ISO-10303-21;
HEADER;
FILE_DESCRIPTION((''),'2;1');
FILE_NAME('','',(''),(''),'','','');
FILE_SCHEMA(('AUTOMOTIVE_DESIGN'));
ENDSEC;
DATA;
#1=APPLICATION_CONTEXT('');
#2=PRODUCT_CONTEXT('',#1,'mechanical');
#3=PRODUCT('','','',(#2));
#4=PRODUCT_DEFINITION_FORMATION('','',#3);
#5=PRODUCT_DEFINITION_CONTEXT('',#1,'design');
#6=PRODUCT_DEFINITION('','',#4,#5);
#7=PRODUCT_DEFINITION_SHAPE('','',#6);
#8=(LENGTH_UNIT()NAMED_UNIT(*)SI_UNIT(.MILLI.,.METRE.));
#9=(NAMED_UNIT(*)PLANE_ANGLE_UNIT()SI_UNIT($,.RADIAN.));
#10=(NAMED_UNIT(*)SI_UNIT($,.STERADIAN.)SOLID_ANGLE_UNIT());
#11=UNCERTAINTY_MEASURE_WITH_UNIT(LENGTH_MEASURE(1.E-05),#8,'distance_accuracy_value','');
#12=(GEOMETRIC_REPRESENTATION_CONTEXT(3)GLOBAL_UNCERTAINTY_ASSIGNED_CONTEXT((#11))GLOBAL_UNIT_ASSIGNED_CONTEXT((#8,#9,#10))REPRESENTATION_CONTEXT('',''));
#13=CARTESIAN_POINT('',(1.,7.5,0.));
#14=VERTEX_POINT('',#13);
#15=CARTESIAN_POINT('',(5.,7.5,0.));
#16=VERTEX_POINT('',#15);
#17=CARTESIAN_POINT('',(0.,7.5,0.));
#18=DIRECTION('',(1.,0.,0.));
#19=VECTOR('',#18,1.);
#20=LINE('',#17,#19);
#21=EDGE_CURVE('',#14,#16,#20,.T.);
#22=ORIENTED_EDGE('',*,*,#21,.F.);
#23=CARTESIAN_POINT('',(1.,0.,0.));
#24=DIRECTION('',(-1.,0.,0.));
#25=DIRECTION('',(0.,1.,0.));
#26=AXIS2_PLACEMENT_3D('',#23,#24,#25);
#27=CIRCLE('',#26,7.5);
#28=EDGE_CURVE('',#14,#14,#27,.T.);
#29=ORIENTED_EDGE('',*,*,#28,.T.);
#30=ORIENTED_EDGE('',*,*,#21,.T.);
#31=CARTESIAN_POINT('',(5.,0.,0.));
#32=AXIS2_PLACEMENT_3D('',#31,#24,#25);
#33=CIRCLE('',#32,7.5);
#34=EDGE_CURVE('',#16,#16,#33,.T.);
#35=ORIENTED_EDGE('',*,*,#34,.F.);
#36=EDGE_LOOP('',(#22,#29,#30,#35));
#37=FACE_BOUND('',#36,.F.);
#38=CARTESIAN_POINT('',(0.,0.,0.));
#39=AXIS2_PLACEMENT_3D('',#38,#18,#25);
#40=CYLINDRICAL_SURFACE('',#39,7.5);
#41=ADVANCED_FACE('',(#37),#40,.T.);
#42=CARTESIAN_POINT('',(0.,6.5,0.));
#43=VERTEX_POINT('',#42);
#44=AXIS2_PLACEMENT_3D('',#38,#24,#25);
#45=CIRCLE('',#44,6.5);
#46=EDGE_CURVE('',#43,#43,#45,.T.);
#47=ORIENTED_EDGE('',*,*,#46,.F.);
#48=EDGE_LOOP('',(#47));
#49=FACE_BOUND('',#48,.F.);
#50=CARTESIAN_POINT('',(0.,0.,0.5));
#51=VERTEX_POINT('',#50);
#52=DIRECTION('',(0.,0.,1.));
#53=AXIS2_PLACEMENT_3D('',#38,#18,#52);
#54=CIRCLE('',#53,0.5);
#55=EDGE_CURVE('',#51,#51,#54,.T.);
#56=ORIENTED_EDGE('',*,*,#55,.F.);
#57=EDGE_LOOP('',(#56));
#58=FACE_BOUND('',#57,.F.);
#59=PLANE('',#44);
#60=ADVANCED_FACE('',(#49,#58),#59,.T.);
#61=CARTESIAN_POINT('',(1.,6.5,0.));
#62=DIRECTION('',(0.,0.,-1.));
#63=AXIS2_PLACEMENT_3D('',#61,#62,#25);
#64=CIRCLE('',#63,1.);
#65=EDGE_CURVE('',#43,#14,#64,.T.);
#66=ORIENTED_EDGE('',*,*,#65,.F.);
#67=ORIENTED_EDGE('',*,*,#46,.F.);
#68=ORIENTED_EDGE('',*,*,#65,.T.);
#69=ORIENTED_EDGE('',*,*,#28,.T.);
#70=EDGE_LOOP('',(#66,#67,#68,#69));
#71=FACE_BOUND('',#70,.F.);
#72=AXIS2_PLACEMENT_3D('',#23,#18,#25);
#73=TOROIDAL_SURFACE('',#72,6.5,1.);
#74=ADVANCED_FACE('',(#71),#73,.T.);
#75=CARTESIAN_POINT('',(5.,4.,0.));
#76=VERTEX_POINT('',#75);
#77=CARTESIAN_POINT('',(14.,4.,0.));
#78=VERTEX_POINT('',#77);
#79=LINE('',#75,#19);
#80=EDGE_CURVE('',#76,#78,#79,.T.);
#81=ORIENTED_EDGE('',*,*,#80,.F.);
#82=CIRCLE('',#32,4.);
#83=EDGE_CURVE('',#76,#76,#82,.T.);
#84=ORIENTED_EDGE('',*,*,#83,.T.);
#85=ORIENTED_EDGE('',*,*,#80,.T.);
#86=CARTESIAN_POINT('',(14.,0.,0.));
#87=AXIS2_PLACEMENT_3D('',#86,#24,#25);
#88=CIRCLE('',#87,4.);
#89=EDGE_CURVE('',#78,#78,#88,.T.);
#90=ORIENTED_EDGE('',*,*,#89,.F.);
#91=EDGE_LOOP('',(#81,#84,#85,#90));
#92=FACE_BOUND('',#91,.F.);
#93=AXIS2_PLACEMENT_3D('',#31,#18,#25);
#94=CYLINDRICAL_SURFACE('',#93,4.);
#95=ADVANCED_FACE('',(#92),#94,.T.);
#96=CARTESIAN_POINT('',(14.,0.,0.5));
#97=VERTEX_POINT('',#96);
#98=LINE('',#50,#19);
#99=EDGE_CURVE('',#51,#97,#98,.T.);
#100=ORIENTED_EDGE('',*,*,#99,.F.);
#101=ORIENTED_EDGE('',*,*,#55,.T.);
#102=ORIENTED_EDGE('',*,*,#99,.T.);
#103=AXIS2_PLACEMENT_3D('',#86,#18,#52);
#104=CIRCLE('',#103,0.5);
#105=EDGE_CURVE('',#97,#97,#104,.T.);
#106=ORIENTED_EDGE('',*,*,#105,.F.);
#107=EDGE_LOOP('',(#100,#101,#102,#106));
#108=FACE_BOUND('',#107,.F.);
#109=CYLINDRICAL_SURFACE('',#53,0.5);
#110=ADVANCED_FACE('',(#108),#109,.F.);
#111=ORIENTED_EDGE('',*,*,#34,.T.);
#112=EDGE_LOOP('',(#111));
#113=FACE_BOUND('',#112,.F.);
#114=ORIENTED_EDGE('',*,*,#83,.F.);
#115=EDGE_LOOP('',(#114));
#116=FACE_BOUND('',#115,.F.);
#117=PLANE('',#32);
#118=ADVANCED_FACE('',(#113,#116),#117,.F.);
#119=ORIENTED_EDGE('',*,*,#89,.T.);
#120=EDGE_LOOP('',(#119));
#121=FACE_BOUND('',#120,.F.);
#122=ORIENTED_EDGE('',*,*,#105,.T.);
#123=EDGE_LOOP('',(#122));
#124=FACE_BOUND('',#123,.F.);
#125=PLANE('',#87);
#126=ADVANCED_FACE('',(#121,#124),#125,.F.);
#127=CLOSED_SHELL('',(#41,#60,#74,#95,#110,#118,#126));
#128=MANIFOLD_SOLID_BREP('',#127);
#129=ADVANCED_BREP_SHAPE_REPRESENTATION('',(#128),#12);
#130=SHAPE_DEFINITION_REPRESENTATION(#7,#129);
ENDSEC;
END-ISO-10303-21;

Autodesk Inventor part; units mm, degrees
ref_plane "YZ Plane" through (0, 0, 0) normal (1, 0, 0) x (0, 1, 0)
ref_plane "XZ Plane" through (0, 0, 0) normal (0, 1, 0) x (-1, 0, 0)
ref_plane "XY Plane" through (0, 0, 0) normal (0, 0, 1) x (1, 0, 0)
sketch "Skizze1" plane through (0, 0, 0) normal (0, 0, 1) x (1, 0, 0)
  line L0 (0, 0) -> (0, 7.5)
  line L1 (0, 7.5) -> (5, 7.5)
  line L2 (5, 7.5) -> (5, 4)
  line L3 (5, 4) -> (14, 4)
  line L4 (14, 4) -> (14, 0)
  line L5 (14, 0) -> (0, 0)
  dimension "d0" = 15
  dimension "d1" = 9
  dimension "d2" = 5
  dimension "d3" = 8
revolve "Umdrehung1" add sketch "Skizze1" angle 360 about axis through (14, 0, 0) along (-1, 0, 0)
thread "Gewinde1" size "M8x1.25" class "6g" standard "ISO Metric profile" length 11
sketch "Skizze2" plane through (0, 0, 0) normal (-1, 0, 0) x (0, 0, 1)
  circle A0 centre (0, 0) radius 7.5 projected
  point P0 (0, 0)
hole "Bohrung1" at (0, 0, 0) direction (1, 0, 0) diameter 1 depth 14
fillet "Rundung1" radius 1 1 edges at (0, -7.5, 0)
properties part number "1 part 4" material "Stahl, galvanisiert"
